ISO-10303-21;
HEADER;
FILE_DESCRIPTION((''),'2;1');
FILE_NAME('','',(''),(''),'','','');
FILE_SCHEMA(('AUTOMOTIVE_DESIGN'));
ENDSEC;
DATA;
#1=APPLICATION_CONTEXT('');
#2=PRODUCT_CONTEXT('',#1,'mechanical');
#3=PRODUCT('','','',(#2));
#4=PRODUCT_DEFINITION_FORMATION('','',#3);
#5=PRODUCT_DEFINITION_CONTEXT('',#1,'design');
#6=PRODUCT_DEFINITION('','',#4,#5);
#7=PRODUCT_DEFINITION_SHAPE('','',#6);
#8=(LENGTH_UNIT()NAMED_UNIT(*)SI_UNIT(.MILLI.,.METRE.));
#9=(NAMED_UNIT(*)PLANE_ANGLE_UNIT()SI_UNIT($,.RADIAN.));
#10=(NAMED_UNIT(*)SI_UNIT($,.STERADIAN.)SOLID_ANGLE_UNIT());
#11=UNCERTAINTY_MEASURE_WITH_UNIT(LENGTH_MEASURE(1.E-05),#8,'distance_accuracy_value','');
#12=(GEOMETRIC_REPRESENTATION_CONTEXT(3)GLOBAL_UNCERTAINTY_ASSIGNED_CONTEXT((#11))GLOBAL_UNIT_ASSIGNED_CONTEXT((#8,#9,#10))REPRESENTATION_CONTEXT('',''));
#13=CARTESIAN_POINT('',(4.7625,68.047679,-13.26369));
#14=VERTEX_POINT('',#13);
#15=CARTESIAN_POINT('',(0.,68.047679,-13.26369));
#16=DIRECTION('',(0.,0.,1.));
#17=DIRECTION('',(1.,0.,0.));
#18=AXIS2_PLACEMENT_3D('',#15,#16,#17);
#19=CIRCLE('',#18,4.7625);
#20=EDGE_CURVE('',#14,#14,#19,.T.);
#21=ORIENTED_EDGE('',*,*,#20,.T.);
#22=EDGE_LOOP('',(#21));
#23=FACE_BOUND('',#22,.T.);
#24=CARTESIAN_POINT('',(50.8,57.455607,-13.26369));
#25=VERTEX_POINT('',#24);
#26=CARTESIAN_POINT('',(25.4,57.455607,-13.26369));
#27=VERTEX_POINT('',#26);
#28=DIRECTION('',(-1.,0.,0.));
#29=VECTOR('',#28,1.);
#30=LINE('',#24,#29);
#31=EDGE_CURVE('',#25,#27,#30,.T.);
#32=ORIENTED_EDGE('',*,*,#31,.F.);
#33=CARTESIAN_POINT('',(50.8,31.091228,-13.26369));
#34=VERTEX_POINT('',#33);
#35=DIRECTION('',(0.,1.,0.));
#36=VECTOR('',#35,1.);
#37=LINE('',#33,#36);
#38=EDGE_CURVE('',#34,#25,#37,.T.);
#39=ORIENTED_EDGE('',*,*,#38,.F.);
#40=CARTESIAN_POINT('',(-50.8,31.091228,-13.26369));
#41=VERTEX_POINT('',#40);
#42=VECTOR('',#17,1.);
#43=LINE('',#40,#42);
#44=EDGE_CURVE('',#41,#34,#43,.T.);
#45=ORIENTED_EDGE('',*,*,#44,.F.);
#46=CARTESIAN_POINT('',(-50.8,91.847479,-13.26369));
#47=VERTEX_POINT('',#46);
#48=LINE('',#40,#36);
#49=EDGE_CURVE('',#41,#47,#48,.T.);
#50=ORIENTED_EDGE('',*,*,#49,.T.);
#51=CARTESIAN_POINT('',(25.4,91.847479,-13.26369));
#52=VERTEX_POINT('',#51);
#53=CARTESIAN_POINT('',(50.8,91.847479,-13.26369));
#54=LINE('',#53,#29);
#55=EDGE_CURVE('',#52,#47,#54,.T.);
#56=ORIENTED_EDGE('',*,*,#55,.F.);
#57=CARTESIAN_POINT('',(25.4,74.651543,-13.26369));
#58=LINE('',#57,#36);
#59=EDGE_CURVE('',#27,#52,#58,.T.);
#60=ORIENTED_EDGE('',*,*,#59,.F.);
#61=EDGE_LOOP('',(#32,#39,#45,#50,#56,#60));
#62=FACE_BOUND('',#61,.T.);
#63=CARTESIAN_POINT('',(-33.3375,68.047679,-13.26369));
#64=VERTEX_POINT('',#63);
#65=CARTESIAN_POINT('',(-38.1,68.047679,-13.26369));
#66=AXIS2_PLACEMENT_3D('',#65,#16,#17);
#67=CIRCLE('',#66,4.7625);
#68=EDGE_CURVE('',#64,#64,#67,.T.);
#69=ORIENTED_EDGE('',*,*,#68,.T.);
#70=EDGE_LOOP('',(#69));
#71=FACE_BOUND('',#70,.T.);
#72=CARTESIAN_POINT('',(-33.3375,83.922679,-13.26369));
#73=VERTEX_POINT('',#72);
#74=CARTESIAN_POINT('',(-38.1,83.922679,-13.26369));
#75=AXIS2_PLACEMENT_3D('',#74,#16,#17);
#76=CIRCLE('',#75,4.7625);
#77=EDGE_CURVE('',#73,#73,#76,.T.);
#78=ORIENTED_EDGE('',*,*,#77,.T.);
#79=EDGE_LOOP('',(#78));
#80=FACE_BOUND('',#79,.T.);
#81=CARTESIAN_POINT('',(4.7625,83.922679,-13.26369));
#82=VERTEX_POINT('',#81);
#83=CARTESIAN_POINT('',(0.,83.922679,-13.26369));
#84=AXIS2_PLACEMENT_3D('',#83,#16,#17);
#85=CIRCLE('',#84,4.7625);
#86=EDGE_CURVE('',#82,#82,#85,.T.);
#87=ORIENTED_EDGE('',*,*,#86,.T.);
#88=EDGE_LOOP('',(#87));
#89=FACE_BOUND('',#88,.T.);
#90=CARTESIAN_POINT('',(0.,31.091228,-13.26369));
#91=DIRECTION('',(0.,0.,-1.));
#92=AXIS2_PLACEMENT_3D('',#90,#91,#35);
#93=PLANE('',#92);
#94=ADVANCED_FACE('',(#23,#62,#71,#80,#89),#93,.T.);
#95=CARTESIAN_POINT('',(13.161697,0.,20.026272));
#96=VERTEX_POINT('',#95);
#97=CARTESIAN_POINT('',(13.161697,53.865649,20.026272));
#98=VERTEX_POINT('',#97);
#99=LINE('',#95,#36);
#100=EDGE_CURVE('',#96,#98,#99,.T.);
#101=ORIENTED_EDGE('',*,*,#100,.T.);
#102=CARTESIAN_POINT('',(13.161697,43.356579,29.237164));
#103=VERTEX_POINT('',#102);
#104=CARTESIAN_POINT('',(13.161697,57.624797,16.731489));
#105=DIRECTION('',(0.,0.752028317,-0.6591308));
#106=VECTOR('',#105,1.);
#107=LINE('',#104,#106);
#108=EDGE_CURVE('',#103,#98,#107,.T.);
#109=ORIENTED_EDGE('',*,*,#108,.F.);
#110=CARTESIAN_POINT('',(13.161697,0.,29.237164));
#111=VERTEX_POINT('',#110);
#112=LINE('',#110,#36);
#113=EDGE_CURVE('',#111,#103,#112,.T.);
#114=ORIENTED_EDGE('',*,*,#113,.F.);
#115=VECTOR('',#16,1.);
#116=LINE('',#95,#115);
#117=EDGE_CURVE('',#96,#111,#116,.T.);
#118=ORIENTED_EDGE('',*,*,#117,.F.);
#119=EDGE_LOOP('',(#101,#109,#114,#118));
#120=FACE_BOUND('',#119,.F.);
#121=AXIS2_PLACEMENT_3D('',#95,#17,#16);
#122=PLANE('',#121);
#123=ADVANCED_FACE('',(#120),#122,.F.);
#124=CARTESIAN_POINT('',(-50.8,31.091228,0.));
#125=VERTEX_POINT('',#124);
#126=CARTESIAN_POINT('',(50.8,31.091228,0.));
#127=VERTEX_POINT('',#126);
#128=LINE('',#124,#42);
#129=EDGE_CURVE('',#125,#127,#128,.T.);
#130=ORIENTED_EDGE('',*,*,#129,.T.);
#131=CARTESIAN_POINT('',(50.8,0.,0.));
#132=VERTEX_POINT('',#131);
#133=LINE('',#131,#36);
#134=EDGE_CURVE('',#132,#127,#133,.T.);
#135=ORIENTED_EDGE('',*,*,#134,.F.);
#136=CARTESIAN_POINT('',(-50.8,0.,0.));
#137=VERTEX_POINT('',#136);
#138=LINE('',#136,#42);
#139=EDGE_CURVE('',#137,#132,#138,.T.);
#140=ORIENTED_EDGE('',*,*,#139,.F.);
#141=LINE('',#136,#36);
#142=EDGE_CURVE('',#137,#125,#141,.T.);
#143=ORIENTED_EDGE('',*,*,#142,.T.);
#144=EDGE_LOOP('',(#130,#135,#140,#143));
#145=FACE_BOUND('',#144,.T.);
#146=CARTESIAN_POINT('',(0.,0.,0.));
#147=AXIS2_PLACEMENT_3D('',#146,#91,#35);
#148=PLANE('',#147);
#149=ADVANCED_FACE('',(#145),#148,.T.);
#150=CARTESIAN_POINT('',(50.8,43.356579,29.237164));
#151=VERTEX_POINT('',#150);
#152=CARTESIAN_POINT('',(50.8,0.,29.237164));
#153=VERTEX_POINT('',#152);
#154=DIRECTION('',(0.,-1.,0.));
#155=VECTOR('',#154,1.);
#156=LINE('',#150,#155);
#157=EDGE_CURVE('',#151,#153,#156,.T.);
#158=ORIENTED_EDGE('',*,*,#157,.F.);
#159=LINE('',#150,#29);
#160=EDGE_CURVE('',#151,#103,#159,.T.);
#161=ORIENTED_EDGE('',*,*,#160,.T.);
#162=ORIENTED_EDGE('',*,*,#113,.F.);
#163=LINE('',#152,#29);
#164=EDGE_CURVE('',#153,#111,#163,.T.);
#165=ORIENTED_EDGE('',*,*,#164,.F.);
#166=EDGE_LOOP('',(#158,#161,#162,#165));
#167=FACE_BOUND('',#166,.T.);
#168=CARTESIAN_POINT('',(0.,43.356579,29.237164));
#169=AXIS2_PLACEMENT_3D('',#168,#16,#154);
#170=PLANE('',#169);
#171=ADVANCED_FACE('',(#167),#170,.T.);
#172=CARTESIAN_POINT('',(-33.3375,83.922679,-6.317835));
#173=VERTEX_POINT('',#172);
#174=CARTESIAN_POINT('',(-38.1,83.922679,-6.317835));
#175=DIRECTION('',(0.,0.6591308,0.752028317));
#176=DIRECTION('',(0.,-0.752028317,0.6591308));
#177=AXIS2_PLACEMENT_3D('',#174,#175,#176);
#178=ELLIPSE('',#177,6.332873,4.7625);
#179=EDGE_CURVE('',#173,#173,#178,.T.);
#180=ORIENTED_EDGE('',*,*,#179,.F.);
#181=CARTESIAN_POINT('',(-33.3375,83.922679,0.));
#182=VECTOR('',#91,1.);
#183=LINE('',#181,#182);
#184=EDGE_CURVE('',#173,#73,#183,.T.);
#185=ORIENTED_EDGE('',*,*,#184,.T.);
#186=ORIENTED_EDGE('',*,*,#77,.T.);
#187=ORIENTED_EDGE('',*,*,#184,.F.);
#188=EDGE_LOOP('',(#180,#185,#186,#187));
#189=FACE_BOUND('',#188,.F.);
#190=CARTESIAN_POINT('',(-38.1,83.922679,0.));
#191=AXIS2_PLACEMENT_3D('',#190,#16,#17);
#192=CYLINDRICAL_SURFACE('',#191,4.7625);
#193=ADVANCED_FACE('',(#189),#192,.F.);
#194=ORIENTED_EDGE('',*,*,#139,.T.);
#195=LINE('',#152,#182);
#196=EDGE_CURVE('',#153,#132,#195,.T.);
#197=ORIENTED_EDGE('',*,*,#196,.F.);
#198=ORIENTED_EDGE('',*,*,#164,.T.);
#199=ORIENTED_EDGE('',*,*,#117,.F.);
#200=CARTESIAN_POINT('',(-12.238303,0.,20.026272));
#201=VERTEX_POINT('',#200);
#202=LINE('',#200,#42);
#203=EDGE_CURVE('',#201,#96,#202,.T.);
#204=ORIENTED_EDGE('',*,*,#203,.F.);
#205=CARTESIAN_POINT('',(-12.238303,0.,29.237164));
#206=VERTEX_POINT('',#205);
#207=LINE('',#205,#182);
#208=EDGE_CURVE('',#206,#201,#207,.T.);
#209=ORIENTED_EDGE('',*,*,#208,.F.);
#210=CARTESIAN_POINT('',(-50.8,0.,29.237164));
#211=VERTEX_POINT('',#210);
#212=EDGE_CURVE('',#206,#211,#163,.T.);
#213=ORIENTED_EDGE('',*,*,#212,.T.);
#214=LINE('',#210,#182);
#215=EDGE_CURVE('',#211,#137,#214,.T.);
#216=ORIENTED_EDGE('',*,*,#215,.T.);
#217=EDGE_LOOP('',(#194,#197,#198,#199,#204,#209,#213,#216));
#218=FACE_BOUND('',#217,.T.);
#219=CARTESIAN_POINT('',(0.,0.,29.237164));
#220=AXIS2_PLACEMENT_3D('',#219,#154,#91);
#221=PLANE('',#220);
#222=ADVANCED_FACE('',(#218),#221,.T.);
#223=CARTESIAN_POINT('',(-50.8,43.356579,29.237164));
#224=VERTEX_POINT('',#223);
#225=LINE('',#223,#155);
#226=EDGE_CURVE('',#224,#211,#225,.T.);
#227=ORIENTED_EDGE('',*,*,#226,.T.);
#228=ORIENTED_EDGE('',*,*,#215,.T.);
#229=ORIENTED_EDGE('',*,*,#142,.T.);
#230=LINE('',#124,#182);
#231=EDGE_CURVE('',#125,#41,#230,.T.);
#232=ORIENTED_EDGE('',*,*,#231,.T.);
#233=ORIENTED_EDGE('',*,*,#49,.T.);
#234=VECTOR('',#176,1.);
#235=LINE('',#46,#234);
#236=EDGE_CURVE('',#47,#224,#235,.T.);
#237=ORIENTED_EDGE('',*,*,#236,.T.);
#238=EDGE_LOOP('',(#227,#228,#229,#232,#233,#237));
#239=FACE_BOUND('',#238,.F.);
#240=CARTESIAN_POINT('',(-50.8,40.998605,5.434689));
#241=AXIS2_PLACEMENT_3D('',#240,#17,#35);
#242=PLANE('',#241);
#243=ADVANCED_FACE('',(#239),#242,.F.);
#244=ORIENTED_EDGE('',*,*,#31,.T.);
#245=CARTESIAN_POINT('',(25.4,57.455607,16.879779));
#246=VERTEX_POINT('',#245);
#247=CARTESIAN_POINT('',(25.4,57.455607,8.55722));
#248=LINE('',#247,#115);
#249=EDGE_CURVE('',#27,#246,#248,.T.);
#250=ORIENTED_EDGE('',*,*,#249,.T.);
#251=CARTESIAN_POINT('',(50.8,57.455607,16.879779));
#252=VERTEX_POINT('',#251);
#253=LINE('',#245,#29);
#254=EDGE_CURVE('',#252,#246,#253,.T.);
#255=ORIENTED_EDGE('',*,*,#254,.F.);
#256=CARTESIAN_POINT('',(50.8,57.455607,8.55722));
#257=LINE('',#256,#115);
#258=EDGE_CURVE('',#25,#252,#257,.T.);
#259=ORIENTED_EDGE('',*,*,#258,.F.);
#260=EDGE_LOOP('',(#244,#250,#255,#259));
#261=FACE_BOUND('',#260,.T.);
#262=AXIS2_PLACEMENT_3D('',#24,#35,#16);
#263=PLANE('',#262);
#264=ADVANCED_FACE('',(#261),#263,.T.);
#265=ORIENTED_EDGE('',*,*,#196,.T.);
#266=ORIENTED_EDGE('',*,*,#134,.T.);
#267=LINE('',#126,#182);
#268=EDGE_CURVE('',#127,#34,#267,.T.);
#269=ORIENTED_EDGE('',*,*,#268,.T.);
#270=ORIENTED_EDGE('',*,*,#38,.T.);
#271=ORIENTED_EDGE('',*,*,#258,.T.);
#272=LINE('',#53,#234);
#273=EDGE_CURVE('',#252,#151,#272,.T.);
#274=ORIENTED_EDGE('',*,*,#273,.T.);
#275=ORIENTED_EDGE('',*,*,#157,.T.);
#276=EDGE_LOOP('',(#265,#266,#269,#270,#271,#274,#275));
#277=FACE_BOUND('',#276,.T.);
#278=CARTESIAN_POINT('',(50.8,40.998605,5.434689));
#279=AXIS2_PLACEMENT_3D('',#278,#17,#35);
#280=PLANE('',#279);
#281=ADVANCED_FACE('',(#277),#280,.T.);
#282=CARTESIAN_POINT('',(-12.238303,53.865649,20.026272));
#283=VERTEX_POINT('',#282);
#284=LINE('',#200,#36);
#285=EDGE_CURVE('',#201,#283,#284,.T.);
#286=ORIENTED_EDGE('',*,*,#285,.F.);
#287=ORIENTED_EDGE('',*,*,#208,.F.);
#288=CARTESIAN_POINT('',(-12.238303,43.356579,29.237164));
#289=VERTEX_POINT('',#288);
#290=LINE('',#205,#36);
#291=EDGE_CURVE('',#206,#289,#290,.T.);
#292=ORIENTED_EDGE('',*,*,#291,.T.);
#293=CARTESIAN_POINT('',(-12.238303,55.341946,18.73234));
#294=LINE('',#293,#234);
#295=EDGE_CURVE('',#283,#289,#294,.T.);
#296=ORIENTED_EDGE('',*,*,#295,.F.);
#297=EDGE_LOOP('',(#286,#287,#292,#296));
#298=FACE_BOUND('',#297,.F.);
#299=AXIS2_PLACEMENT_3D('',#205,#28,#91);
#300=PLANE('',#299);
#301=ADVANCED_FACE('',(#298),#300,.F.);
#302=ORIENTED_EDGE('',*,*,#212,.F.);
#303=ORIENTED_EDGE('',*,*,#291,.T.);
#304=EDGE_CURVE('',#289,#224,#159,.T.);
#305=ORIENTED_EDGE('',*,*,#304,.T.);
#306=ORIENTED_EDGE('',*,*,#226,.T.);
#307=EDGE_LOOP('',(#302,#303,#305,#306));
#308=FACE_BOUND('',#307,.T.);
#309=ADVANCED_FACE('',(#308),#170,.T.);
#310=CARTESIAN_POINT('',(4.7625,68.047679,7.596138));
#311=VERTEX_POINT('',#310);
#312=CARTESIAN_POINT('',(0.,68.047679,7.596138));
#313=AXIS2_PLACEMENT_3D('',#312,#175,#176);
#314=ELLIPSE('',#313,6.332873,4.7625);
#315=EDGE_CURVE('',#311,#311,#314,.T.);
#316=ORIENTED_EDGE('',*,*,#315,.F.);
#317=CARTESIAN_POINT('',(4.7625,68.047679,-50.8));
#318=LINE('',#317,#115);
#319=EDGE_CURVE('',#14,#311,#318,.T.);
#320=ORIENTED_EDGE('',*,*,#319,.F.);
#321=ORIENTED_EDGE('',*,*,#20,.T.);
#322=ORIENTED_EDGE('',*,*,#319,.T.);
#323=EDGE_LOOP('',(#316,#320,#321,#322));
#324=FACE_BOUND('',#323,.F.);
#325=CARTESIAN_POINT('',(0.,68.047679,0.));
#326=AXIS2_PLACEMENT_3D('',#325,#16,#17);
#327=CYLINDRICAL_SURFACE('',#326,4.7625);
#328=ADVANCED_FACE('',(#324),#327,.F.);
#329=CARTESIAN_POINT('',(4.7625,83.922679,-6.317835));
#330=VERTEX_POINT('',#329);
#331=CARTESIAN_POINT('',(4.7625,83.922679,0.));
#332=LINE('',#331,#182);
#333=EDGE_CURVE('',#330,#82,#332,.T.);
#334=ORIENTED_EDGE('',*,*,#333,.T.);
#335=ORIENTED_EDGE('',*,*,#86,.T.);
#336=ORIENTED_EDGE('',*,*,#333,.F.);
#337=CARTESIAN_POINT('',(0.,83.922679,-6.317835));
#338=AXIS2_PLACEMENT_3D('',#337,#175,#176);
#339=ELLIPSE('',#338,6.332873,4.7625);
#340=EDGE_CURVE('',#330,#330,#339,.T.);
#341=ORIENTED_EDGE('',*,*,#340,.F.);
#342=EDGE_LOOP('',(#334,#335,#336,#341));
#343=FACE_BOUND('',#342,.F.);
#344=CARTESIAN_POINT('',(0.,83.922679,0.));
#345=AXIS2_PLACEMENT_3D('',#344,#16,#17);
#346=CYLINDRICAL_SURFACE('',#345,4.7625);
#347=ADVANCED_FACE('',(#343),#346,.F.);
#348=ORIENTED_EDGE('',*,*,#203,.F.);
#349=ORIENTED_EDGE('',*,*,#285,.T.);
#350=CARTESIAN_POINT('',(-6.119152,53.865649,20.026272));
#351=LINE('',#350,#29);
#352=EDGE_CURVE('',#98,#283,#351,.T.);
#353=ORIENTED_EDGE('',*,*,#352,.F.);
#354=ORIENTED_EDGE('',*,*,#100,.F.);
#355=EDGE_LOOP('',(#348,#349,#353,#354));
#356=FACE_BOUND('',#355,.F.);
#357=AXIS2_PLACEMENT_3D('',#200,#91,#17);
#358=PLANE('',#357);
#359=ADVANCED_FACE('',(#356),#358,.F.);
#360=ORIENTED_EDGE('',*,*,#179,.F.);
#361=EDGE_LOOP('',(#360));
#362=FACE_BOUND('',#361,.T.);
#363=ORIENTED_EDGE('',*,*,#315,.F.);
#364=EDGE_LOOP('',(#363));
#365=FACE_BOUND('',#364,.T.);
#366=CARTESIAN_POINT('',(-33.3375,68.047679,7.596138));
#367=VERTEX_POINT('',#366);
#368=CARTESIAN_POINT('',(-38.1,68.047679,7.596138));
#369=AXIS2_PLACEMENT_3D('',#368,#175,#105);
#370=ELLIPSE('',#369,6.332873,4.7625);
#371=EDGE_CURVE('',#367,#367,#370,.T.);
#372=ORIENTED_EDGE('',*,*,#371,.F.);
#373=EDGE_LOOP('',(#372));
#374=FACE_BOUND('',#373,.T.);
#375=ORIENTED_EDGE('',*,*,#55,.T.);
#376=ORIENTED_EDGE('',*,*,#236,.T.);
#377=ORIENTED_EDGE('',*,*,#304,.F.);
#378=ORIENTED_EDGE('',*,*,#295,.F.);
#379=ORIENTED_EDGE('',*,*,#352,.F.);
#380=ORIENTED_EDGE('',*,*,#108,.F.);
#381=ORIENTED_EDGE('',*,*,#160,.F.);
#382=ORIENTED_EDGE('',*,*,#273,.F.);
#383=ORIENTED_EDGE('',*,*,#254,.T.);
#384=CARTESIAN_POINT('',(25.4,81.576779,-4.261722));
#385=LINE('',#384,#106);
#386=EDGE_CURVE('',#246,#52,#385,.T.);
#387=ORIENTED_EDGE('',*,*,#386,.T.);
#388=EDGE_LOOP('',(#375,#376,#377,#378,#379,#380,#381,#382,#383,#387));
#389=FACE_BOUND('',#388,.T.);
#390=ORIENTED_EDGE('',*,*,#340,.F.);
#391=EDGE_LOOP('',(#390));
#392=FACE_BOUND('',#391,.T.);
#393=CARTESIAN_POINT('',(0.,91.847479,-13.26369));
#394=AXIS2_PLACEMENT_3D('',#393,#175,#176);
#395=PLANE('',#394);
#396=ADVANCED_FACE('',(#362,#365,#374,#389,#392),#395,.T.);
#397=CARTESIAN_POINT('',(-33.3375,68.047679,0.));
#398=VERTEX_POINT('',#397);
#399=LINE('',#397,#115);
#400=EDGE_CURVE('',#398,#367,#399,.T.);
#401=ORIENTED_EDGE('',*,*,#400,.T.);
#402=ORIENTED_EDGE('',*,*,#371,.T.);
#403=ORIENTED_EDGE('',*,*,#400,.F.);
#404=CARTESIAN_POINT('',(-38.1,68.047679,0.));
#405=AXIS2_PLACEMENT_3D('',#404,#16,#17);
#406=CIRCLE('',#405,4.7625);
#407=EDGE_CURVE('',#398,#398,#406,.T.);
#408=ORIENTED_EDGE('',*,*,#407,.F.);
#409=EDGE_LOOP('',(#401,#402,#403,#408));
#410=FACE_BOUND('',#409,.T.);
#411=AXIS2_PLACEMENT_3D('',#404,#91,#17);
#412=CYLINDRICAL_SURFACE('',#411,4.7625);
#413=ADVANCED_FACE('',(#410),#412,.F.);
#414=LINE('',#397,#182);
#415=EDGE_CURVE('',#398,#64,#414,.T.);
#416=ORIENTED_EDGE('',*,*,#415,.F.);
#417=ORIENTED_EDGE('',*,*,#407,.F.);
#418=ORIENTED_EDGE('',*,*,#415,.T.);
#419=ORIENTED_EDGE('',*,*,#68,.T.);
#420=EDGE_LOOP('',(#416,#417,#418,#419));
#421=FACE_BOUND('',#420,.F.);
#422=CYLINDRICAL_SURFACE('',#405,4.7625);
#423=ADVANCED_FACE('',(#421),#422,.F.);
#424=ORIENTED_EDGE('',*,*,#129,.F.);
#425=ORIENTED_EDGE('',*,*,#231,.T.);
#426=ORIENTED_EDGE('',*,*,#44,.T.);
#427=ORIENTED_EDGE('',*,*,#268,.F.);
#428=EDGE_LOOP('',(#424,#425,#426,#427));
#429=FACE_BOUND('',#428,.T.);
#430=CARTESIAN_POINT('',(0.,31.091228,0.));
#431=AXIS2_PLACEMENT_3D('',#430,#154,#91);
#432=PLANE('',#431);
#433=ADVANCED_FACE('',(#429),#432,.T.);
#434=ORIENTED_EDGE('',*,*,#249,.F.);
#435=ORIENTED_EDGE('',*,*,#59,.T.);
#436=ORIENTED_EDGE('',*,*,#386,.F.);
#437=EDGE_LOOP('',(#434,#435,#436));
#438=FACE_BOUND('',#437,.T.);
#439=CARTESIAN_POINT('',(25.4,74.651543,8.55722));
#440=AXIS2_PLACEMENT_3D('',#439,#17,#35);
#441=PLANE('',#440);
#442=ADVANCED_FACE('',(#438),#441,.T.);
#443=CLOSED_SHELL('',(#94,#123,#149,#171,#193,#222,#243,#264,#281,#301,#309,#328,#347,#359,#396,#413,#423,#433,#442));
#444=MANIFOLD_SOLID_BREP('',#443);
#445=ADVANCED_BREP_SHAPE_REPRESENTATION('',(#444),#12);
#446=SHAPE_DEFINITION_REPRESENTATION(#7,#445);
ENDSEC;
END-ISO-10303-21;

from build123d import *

# Parameters (mm, degrees)
F1_DEPTH = 50.8
F3_DEPTH = 53.8666486626
F4_W     = 34.3918725848
F4_H     = 43.6418196186
F5_DEPTH = 25.4
F6_R     = 4.7625
F7_DEPTH = 50.8


with BuildPart() as f1:
    # F0 (on Right) → F1 (new body, symmetric)
    with BuildSketch(Plane.YZ):
        Polygon((0, 29.2371641845), (0, 0), (31.0912281275, 0), (31.0912281275, -13.2636902854), (91.8474793434, -13.2636902854), (43.3565787971, 29.2371641845), align=None)
    extrude(amount=F1_DEPTH, both=True)

    # F2 (on face) → F3 (cut, through all)
    with BuildSketch(Plane.XZ):
        Polygon((13.1616968006, 29.2371641845), (0, 29.2371641845), (-12.2383031994, 29.2371641845), (-12.2383031994, 20.0262721628), (13.1616968006, 20.0262721628), align=None)
    extrude(amount=-F3_DEPTH, mode=Mode.SUBTRACT)

    # F4 (on face) → F5 (cut)
    with BuildSketch(Plane.YZ.offset(50.8)):
        with Locations((74.651543051, 8.5572195239)):
            Rectangle(F4_W, F4_H)
    extrude(amount=-F5_DEPTH, mode=Mode.SUBTRACT)

    # F6 (on Top) → F7 (cut, symmetric)
    with BuildSketch(Plane.XY):
        with Locations((-38.1, 83.9226793434)):
            Circle(F6_R)
        with Locations((-38.1, 68.0476793434)):
            Circle(F6_R)
        with Locations((0, 83.9226793434)):
            Circle(F6_R)
        with Locations((0, 68.0476793434)):
            Circle(F6_R)
    extrude(amount=F7_DEPTH, both=True, mode=Mode.SUBTRACT)


solid = f1.part
